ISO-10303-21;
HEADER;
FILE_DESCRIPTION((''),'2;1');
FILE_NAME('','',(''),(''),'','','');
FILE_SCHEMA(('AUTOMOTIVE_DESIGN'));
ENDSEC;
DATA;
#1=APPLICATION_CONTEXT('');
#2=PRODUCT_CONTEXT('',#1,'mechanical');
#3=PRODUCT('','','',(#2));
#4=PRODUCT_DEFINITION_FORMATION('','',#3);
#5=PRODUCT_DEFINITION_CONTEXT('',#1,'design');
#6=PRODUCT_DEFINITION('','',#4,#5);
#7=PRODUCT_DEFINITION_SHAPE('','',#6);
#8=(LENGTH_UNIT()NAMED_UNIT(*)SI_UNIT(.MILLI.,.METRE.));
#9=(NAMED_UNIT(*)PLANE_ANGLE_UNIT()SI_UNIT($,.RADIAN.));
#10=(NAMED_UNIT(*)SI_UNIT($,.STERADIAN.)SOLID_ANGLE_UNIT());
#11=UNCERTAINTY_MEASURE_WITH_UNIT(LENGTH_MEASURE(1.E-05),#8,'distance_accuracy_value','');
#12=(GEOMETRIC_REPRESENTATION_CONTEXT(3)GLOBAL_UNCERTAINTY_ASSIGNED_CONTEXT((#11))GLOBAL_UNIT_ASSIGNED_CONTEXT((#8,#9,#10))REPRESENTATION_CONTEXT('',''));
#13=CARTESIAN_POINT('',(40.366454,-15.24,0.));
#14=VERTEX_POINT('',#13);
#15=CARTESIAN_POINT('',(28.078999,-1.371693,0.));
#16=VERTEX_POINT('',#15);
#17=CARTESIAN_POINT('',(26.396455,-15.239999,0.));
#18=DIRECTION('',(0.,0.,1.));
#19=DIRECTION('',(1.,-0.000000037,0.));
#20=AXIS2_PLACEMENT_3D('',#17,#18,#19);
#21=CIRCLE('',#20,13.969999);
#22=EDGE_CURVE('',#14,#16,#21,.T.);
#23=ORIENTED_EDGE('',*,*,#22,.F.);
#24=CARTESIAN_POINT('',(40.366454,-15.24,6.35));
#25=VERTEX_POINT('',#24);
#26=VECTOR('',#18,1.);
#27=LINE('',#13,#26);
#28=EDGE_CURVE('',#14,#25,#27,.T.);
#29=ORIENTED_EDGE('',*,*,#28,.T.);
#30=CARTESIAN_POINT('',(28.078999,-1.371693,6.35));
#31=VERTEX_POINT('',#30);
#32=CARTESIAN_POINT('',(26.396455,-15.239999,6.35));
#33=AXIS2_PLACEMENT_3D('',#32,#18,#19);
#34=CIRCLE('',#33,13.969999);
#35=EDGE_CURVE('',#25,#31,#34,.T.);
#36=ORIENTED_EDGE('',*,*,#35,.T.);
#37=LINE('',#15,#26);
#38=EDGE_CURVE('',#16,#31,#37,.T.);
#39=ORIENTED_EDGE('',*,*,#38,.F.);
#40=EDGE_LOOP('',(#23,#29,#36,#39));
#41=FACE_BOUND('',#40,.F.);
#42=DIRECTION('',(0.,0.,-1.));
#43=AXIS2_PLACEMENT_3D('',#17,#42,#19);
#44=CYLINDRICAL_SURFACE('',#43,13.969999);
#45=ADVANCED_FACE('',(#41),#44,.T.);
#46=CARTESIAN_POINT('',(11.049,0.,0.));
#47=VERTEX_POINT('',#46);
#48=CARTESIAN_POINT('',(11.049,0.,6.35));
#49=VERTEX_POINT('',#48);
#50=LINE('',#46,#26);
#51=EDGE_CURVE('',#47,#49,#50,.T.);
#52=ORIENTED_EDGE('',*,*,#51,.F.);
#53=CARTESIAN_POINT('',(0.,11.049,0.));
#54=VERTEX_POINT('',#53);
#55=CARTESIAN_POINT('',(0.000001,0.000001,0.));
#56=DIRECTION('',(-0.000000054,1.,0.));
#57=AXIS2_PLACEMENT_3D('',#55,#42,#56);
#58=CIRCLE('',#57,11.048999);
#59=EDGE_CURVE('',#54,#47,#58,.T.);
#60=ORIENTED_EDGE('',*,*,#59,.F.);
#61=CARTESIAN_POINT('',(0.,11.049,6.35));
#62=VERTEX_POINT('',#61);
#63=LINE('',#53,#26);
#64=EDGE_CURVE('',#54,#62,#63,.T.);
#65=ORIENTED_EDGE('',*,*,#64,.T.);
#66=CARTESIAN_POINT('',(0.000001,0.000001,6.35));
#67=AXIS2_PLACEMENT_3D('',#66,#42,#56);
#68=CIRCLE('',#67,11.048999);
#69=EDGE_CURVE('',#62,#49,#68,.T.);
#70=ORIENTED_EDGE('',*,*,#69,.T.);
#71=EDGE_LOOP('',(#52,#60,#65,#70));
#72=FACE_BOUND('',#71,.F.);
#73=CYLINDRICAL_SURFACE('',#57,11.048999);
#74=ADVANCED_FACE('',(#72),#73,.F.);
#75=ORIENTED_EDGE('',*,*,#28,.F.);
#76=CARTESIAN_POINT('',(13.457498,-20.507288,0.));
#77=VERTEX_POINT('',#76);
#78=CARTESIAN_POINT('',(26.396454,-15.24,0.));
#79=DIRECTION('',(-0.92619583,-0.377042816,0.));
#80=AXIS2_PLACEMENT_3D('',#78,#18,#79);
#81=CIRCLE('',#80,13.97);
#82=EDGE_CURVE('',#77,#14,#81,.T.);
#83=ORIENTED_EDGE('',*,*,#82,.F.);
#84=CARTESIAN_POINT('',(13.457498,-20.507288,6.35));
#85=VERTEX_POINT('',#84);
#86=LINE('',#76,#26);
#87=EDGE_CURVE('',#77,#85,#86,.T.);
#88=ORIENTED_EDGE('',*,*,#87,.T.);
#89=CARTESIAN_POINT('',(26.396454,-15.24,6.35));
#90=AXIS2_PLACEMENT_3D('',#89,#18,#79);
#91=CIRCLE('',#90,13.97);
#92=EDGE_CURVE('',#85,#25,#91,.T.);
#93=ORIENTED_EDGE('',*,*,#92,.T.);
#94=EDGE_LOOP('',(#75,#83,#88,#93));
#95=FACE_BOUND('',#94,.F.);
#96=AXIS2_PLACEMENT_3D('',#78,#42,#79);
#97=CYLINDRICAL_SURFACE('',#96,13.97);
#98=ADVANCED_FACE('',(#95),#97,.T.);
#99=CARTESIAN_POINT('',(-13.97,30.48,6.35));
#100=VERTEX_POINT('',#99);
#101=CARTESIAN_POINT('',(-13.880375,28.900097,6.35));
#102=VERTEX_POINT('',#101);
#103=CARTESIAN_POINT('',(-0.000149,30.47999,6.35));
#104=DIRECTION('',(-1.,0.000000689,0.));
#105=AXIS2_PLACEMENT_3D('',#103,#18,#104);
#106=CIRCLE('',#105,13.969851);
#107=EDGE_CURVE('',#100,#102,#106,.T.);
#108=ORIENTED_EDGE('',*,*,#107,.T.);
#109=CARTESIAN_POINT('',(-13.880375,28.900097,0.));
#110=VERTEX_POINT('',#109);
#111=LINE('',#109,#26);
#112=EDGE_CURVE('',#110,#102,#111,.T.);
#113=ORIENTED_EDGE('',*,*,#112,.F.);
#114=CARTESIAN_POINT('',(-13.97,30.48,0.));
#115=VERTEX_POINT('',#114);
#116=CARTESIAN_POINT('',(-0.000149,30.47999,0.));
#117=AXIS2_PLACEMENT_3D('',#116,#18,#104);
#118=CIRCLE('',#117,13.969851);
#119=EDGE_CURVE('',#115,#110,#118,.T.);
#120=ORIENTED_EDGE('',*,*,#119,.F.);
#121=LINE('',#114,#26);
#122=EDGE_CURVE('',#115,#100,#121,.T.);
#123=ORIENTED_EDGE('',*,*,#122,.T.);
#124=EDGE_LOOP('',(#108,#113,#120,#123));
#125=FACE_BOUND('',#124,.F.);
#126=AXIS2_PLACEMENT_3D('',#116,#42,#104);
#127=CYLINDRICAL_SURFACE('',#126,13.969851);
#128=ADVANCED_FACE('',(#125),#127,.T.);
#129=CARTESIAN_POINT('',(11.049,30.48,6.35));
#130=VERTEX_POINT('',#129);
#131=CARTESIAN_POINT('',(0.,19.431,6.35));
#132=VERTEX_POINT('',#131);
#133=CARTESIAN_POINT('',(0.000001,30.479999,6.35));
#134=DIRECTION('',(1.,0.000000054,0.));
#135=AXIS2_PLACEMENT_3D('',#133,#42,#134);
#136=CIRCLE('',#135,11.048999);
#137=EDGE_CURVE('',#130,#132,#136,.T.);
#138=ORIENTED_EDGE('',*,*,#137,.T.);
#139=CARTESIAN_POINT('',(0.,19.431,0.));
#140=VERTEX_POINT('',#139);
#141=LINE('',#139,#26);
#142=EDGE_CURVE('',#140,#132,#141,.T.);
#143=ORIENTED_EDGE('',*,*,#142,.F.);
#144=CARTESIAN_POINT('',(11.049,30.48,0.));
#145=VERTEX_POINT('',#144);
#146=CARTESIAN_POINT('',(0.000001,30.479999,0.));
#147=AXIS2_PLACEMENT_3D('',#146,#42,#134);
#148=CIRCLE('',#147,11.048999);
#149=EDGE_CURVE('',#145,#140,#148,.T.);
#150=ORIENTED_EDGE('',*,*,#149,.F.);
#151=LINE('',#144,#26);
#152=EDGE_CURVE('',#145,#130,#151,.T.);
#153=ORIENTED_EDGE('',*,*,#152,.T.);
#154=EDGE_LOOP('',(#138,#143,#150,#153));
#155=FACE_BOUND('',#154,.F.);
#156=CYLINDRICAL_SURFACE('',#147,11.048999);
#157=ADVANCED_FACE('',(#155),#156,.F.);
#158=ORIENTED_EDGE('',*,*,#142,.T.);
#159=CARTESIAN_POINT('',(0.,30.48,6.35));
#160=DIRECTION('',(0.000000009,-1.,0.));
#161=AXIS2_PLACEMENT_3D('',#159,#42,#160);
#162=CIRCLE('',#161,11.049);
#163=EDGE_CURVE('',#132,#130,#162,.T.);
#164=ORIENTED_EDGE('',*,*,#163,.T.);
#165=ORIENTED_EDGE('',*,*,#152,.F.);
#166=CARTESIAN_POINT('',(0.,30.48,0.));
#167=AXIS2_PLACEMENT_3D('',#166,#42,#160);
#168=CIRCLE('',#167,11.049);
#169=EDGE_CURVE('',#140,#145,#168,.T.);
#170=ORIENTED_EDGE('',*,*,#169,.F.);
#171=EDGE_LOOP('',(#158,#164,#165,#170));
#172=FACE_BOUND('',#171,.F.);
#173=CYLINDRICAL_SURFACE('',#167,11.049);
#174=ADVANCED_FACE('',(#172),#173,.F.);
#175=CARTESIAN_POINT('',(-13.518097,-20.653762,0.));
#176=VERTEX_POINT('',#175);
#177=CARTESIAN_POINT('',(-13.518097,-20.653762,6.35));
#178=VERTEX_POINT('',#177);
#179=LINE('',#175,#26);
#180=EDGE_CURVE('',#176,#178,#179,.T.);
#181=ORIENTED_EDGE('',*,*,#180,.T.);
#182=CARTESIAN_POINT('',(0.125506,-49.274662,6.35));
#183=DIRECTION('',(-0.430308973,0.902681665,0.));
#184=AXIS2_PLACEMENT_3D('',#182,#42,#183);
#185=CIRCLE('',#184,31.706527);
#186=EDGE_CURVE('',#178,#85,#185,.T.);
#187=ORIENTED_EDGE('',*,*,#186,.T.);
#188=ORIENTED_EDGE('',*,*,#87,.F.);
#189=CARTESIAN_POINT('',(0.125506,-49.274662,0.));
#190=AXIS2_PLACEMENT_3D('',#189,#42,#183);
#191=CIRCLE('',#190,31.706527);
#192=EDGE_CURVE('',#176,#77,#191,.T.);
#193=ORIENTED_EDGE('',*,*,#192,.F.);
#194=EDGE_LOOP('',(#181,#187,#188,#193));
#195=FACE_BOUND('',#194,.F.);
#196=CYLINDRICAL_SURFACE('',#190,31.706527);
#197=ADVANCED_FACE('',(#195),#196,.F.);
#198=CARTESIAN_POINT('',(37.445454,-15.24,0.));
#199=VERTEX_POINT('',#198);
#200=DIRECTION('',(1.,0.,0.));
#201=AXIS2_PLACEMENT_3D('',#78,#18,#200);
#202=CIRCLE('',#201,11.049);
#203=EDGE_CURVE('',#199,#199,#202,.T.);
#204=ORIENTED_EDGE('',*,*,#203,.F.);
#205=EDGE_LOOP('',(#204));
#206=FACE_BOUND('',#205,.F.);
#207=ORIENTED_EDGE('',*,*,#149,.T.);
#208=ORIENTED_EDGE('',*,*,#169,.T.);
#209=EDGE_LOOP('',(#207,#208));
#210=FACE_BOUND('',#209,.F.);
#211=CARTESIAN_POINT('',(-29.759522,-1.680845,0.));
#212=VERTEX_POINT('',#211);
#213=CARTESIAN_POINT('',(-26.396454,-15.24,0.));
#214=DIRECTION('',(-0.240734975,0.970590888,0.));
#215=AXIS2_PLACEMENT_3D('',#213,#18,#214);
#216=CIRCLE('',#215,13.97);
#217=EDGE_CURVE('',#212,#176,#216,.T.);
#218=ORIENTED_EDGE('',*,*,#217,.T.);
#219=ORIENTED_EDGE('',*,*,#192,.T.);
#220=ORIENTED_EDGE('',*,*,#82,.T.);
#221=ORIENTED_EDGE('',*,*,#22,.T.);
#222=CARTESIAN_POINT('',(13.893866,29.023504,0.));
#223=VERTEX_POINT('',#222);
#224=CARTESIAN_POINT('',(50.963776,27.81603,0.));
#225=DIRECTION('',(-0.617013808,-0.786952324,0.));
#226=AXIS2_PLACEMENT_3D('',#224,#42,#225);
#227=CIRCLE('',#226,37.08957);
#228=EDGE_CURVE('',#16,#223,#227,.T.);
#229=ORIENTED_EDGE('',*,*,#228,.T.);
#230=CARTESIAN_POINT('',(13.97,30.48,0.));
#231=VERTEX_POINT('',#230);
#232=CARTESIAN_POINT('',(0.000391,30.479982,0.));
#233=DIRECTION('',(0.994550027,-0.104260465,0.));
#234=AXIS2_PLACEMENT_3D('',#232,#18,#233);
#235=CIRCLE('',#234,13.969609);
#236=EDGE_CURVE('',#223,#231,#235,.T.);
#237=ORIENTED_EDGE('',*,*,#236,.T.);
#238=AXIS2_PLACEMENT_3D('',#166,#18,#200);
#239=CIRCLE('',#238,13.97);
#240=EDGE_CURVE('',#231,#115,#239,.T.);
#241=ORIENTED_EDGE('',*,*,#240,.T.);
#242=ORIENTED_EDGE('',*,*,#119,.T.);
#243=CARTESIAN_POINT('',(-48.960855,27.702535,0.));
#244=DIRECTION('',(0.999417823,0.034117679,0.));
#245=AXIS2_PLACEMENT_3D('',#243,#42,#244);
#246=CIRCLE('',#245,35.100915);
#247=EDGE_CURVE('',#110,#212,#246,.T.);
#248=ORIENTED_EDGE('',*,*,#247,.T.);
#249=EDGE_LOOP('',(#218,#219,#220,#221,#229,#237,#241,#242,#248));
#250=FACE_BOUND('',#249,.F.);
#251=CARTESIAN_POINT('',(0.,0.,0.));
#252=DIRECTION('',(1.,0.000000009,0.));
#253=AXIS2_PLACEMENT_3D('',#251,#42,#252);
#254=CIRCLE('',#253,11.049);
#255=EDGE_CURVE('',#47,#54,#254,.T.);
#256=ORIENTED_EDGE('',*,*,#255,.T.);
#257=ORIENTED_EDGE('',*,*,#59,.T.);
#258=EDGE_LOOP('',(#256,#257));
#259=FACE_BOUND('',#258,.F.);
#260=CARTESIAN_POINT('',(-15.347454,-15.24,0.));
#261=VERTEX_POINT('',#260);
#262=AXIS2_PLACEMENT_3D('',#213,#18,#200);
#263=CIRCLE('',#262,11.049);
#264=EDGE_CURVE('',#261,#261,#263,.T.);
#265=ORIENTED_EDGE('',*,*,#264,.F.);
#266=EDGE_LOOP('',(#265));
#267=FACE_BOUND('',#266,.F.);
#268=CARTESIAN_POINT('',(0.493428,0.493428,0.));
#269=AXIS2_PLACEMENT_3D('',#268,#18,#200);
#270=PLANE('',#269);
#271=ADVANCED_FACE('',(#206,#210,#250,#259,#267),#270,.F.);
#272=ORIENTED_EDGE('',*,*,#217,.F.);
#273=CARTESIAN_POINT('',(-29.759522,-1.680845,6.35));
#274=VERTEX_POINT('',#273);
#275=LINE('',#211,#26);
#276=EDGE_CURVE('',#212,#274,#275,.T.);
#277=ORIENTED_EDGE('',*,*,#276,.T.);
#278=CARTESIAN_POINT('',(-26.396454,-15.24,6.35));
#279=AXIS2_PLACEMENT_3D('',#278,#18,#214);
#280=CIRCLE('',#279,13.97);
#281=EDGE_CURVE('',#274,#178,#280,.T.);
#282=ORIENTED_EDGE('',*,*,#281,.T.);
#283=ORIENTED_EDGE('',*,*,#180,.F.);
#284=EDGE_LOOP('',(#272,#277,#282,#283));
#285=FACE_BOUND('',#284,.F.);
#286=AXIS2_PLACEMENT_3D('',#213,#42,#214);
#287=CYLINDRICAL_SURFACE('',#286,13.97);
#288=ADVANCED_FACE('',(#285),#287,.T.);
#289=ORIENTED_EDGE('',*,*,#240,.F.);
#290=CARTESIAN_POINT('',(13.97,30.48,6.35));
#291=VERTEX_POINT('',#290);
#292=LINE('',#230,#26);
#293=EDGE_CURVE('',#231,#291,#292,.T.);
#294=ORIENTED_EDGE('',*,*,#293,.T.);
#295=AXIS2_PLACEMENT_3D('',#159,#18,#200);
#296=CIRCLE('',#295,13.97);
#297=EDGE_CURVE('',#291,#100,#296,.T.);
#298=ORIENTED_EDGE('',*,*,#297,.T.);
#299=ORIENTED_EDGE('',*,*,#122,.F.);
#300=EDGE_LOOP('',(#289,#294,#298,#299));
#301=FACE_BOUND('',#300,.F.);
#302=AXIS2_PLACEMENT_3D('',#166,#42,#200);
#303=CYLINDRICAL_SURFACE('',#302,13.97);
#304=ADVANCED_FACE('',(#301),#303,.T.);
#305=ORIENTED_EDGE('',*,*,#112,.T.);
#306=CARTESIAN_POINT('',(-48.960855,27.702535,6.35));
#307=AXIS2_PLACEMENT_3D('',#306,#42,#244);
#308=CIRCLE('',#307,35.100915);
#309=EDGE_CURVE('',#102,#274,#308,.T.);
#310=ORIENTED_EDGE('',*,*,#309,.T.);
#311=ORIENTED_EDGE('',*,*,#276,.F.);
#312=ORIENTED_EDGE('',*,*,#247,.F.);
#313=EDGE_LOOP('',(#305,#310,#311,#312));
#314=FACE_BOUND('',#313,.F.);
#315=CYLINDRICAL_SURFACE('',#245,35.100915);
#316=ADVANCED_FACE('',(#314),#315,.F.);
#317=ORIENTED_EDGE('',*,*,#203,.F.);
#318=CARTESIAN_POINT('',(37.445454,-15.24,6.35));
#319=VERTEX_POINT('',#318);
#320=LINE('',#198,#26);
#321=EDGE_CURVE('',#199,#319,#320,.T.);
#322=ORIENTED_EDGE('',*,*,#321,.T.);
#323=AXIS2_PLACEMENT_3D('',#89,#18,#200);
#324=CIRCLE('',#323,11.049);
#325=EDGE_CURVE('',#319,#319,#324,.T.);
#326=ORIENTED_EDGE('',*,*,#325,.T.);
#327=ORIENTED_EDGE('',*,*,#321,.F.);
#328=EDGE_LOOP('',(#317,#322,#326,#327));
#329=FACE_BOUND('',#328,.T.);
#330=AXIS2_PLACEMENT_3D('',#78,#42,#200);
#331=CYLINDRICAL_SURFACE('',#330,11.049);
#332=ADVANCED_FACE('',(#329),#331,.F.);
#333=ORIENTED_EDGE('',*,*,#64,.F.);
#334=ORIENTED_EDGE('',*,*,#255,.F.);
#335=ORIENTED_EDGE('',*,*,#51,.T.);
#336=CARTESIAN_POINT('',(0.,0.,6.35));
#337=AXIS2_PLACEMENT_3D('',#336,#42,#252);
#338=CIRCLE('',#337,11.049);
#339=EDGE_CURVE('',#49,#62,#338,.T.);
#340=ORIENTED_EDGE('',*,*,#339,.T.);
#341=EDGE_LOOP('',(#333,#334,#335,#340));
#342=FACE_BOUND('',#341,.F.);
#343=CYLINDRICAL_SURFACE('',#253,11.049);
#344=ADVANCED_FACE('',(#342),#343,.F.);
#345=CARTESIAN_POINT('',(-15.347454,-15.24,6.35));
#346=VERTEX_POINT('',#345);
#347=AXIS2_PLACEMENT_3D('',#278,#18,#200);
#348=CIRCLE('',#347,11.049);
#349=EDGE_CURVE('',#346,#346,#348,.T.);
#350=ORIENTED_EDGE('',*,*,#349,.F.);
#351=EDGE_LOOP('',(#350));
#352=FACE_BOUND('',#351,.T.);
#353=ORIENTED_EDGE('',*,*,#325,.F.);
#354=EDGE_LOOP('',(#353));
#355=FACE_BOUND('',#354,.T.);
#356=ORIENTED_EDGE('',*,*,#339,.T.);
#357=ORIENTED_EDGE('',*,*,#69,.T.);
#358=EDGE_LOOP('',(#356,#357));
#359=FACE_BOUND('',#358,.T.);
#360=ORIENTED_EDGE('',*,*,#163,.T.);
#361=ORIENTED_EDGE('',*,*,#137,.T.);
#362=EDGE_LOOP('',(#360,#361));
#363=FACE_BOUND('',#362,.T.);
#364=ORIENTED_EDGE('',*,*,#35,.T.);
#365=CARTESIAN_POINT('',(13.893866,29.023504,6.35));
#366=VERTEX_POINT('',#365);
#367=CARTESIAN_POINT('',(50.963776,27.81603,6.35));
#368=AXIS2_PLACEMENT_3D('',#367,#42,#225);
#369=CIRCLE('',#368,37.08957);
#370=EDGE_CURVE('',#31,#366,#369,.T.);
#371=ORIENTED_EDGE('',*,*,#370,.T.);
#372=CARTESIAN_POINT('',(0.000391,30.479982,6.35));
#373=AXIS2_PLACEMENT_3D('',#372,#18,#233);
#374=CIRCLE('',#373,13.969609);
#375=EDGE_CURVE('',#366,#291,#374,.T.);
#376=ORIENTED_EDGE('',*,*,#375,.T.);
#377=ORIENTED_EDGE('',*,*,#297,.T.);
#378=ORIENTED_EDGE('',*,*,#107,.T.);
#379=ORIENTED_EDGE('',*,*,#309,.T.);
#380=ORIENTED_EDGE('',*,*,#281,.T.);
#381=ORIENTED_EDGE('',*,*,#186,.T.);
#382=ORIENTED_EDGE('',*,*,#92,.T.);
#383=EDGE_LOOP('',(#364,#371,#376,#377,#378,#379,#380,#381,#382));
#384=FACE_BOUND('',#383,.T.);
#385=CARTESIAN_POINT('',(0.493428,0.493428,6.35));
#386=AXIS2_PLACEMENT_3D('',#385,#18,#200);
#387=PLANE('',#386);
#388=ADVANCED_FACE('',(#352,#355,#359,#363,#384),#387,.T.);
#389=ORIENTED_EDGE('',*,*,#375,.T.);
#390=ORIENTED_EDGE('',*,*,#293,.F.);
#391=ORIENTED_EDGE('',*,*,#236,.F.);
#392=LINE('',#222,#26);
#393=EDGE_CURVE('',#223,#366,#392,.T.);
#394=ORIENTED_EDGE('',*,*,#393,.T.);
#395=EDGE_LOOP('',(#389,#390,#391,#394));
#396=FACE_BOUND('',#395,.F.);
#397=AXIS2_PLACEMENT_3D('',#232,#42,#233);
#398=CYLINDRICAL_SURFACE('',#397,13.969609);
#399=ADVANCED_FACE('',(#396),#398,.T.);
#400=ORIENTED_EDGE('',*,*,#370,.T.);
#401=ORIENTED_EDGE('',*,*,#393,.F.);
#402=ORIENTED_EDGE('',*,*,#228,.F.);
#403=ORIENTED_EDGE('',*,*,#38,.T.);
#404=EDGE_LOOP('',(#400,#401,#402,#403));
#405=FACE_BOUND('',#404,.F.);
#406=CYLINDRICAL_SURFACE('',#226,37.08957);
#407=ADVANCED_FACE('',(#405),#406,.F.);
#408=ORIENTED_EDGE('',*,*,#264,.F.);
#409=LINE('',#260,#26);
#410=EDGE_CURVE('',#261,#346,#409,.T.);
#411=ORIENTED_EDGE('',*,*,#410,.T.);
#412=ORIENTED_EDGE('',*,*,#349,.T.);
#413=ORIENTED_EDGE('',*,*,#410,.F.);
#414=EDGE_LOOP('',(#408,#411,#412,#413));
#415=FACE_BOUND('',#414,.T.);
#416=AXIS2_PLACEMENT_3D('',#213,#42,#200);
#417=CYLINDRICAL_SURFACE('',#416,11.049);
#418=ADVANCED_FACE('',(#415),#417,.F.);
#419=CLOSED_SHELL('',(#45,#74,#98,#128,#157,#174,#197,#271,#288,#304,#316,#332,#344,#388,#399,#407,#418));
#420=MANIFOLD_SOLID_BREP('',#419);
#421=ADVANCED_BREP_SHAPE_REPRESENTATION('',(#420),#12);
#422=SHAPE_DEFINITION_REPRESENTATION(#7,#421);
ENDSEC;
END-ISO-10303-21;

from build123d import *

# Parameters (mm, degrees)
F0_R     = 11.049
F1_DEPTH = 6.35


with BuildPart() as f1:
    # F0 (on Top) → F1 (new body)
    with BuildSketch(Plane.XY):
        with BuildLine():
            ThreePointArc((0, 11.049), (-7.812823, -7.812823), (11.049, 0))
            ThreePointArc((11.049, 0), (7.812823, 7.812823), (0, 11.049))
        make_face()
        with BuildLine():
            ThreePointArc((13.893866, 29.023504), (9.349162, 20.099534), (0, 16.51))
            ThreePointArc((0, 16.51), (-9.302947, 20.058096), (-13.880375, 28.900097))
            ThreePointArc((-13.880375, 28.900097), (-17.809173, 11.527031), (-29.759522, -1.680845))
            ThreePointArc((-29.759522, -1.680845), (-17.788933, -4.236751), (-12.426454, -15.24))
            ThreePointArc((-12.426454, -15.24), (-12.702084, -18.001363), (-13.518097, -20.653762))
            ThreePointArc((-13.518097, -20.653762), (-0.046654, -17.568603), (13.457498, -20.507288))
            ThreePointArc((13.457498, -20.507288), (15.296029, -6.758169), (28.078999, -1.371693))
            ThreePointArc((28.078999, -1.371693), (17.354133, 12.130747), (13.893866, 29.023504))
        make_face()
        with BuildLine():
            ThreePointArc((0, 11.049), (7.812823, 7.812823), (11.049, 0))
            ThreePointArc((11.049, 0), (-7.812823, -7.812823), (0, 11.049))
        make_face(mode=Mode.SUBTRACT)
        with BuildLine():
            ThreePointArc((11.049, 30.48), (-7.812823, 38.292823), (0, 19.431))
            ThreePointArc((0, 19.431), (7.812823, 22.667177), (11.049, 30.48))
        make_face()
        with BuildLine():
            ThreePointArc((-13.880375, 28.900097), (-9.302947, 20.058096), (0, 16.51))
            ThreePointArc((0, 16.51), (9.349162, 20.099534), (13.893866, 29.023504))
            ThreePointArc((13.893866, 29.023504), (13.924773, 29.752126), (13.97, 30.48))
            ThreePointArc((13.97, 30.48), (0, 44.45), (-13.97, 30.48))
            ThreePointArc((-13.97, 30.48), (-13.916283, 29.690554), (-13.880375, 28.900097))
        make_face()
        with BuildLine():
            ThreePointArc((11.049, 30.48), (7.812823, 22.667177), (0, 19.431))
            ThreePointArc((0, 19.431), (-7.812823, 38.292823), (11.049, 30.48))
        make_face(mode=Mode.SUBTRACT)
        with BuildLine():
            ThreePointArc((-13.97, 30.48), (-13.947576, 29.688778), (-13.880375, 28.900097))
            ThreePointArc((-13.880375, 28.900097), (-13.916283, 29.690554), (-13.97, 30.48))
        make_face()
        with BuildLine():
            ThreePointArc((13.97, 30.48), (13.924773, 29.752126), (13.893866, 29.023504))
            ThreePointArc((13.893866, 29.023504), (13.950954, 29.750758), (13.97, 30.48))
        make_face()
        with BuildLine():
            ThreePointArc((-12.426454, -15.24), (-17.788933, -4.236751), (-29.759522, -1.680845))
            ThreePointArc((-29.759522, -1.680845), (-37.009092, -24.324758), (-13.518097, -20.653762))
            ThreePointArc((-13.518097, -20.653762), (-12.702084, -18.001363), (-12.426454, -15.24))
        make_face()
        with Locations((-26.396454, -15.24)):
            Circle(F0_R, mode=Mode.SUBTRACT)
        with BuildLine():
            ThreePointArc((40.366454, -15.24), (36.852698, -5.975667), (28.078999, -1.371693))
            ThreePointArc((28.078999, -1.371693), (15.296029, -6.758169), (13.457498, -20.507288))
            ThreePointArc((13.457498, -20.507288), (29.080079, -28.949816), (40.366454, -15.24))
        make_face()
        with Locations((26.396454, -15.24)):
            Circle(F0_R, mode=Mode.SUBTRACT)
    extrude(amount=F1_DEPTH)


solid = f1.part
